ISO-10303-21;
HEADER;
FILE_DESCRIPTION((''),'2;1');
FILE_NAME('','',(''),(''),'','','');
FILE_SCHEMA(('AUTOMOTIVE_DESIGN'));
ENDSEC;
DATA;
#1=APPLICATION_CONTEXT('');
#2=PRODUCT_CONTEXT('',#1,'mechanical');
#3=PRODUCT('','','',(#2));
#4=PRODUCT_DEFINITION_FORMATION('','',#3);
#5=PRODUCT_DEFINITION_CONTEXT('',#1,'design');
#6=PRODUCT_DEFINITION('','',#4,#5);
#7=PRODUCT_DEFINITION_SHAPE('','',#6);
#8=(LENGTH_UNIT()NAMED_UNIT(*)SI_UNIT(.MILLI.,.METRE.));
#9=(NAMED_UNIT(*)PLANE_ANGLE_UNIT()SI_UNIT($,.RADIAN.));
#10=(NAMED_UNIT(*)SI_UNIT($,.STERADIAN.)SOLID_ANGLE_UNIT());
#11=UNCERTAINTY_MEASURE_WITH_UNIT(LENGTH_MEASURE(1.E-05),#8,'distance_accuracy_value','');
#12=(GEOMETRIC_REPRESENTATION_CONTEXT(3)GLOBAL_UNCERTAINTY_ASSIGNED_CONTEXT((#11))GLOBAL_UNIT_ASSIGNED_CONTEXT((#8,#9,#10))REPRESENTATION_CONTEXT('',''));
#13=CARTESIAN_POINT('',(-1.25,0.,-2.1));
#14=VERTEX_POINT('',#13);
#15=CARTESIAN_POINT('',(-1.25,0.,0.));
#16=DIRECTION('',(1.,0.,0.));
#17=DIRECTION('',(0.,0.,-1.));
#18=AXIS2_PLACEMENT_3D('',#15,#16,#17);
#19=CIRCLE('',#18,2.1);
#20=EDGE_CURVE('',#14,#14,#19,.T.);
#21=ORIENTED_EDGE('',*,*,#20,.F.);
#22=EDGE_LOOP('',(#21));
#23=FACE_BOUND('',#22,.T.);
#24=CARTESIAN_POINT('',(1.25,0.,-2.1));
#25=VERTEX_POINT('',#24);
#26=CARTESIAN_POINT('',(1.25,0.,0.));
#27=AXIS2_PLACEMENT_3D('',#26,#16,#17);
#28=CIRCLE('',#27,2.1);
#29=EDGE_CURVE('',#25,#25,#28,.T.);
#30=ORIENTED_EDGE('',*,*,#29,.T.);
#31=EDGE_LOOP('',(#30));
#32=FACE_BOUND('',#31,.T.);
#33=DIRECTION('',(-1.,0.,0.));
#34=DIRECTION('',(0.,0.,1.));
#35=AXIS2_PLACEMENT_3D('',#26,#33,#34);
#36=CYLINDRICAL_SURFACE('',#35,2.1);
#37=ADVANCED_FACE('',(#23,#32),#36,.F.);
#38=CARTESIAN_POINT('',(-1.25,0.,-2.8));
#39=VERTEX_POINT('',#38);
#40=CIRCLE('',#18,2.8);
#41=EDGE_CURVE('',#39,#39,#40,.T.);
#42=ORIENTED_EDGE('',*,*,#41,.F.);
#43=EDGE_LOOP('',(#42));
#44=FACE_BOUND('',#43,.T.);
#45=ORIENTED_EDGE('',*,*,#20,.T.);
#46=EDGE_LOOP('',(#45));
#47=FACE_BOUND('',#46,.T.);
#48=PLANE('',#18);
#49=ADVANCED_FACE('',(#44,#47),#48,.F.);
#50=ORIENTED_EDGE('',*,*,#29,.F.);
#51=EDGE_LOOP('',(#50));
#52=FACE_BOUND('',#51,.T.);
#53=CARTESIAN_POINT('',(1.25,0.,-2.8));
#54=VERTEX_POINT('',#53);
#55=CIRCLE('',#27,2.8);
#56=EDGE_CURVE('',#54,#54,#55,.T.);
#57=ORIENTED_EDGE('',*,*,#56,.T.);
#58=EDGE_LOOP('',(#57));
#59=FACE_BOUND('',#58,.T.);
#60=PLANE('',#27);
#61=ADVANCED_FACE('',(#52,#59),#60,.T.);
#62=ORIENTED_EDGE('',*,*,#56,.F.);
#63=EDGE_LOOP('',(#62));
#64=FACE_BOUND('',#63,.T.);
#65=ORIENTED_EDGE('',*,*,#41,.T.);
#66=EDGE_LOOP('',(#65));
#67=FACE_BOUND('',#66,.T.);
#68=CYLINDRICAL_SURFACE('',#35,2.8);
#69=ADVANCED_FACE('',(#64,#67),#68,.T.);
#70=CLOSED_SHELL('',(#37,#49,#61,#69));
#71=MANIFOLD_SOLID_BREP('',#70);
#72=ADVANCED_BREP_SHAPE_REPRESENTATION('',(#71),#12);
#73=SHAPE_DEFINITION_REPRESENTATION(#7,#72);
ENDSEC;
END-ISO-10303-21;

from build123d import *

# Parameters (mm, degrees)
ESQUISSE1_R        = 2.8
ESQUISSE1_R_2      = 2.1
BOSS_EXTRU_1_DEPTH = 1.25


with BuildPart() as part:
    # Esquisse1 → Boss.-Extru.1 (new, symmetric)
    with BuildSketch(Plane(origin=(0, 0, 0), x_dir=(0, 0, -1), z_dir=(1, 0, 0))):
        Circle(ESQUISSE1_R)
        Circle(ESQUISSE1_R_2, mode=Mode.SUBTRACT)
    extrude(amount=BOSS_EXTRU_1_DEPTH, both=True)


solid = part.part
